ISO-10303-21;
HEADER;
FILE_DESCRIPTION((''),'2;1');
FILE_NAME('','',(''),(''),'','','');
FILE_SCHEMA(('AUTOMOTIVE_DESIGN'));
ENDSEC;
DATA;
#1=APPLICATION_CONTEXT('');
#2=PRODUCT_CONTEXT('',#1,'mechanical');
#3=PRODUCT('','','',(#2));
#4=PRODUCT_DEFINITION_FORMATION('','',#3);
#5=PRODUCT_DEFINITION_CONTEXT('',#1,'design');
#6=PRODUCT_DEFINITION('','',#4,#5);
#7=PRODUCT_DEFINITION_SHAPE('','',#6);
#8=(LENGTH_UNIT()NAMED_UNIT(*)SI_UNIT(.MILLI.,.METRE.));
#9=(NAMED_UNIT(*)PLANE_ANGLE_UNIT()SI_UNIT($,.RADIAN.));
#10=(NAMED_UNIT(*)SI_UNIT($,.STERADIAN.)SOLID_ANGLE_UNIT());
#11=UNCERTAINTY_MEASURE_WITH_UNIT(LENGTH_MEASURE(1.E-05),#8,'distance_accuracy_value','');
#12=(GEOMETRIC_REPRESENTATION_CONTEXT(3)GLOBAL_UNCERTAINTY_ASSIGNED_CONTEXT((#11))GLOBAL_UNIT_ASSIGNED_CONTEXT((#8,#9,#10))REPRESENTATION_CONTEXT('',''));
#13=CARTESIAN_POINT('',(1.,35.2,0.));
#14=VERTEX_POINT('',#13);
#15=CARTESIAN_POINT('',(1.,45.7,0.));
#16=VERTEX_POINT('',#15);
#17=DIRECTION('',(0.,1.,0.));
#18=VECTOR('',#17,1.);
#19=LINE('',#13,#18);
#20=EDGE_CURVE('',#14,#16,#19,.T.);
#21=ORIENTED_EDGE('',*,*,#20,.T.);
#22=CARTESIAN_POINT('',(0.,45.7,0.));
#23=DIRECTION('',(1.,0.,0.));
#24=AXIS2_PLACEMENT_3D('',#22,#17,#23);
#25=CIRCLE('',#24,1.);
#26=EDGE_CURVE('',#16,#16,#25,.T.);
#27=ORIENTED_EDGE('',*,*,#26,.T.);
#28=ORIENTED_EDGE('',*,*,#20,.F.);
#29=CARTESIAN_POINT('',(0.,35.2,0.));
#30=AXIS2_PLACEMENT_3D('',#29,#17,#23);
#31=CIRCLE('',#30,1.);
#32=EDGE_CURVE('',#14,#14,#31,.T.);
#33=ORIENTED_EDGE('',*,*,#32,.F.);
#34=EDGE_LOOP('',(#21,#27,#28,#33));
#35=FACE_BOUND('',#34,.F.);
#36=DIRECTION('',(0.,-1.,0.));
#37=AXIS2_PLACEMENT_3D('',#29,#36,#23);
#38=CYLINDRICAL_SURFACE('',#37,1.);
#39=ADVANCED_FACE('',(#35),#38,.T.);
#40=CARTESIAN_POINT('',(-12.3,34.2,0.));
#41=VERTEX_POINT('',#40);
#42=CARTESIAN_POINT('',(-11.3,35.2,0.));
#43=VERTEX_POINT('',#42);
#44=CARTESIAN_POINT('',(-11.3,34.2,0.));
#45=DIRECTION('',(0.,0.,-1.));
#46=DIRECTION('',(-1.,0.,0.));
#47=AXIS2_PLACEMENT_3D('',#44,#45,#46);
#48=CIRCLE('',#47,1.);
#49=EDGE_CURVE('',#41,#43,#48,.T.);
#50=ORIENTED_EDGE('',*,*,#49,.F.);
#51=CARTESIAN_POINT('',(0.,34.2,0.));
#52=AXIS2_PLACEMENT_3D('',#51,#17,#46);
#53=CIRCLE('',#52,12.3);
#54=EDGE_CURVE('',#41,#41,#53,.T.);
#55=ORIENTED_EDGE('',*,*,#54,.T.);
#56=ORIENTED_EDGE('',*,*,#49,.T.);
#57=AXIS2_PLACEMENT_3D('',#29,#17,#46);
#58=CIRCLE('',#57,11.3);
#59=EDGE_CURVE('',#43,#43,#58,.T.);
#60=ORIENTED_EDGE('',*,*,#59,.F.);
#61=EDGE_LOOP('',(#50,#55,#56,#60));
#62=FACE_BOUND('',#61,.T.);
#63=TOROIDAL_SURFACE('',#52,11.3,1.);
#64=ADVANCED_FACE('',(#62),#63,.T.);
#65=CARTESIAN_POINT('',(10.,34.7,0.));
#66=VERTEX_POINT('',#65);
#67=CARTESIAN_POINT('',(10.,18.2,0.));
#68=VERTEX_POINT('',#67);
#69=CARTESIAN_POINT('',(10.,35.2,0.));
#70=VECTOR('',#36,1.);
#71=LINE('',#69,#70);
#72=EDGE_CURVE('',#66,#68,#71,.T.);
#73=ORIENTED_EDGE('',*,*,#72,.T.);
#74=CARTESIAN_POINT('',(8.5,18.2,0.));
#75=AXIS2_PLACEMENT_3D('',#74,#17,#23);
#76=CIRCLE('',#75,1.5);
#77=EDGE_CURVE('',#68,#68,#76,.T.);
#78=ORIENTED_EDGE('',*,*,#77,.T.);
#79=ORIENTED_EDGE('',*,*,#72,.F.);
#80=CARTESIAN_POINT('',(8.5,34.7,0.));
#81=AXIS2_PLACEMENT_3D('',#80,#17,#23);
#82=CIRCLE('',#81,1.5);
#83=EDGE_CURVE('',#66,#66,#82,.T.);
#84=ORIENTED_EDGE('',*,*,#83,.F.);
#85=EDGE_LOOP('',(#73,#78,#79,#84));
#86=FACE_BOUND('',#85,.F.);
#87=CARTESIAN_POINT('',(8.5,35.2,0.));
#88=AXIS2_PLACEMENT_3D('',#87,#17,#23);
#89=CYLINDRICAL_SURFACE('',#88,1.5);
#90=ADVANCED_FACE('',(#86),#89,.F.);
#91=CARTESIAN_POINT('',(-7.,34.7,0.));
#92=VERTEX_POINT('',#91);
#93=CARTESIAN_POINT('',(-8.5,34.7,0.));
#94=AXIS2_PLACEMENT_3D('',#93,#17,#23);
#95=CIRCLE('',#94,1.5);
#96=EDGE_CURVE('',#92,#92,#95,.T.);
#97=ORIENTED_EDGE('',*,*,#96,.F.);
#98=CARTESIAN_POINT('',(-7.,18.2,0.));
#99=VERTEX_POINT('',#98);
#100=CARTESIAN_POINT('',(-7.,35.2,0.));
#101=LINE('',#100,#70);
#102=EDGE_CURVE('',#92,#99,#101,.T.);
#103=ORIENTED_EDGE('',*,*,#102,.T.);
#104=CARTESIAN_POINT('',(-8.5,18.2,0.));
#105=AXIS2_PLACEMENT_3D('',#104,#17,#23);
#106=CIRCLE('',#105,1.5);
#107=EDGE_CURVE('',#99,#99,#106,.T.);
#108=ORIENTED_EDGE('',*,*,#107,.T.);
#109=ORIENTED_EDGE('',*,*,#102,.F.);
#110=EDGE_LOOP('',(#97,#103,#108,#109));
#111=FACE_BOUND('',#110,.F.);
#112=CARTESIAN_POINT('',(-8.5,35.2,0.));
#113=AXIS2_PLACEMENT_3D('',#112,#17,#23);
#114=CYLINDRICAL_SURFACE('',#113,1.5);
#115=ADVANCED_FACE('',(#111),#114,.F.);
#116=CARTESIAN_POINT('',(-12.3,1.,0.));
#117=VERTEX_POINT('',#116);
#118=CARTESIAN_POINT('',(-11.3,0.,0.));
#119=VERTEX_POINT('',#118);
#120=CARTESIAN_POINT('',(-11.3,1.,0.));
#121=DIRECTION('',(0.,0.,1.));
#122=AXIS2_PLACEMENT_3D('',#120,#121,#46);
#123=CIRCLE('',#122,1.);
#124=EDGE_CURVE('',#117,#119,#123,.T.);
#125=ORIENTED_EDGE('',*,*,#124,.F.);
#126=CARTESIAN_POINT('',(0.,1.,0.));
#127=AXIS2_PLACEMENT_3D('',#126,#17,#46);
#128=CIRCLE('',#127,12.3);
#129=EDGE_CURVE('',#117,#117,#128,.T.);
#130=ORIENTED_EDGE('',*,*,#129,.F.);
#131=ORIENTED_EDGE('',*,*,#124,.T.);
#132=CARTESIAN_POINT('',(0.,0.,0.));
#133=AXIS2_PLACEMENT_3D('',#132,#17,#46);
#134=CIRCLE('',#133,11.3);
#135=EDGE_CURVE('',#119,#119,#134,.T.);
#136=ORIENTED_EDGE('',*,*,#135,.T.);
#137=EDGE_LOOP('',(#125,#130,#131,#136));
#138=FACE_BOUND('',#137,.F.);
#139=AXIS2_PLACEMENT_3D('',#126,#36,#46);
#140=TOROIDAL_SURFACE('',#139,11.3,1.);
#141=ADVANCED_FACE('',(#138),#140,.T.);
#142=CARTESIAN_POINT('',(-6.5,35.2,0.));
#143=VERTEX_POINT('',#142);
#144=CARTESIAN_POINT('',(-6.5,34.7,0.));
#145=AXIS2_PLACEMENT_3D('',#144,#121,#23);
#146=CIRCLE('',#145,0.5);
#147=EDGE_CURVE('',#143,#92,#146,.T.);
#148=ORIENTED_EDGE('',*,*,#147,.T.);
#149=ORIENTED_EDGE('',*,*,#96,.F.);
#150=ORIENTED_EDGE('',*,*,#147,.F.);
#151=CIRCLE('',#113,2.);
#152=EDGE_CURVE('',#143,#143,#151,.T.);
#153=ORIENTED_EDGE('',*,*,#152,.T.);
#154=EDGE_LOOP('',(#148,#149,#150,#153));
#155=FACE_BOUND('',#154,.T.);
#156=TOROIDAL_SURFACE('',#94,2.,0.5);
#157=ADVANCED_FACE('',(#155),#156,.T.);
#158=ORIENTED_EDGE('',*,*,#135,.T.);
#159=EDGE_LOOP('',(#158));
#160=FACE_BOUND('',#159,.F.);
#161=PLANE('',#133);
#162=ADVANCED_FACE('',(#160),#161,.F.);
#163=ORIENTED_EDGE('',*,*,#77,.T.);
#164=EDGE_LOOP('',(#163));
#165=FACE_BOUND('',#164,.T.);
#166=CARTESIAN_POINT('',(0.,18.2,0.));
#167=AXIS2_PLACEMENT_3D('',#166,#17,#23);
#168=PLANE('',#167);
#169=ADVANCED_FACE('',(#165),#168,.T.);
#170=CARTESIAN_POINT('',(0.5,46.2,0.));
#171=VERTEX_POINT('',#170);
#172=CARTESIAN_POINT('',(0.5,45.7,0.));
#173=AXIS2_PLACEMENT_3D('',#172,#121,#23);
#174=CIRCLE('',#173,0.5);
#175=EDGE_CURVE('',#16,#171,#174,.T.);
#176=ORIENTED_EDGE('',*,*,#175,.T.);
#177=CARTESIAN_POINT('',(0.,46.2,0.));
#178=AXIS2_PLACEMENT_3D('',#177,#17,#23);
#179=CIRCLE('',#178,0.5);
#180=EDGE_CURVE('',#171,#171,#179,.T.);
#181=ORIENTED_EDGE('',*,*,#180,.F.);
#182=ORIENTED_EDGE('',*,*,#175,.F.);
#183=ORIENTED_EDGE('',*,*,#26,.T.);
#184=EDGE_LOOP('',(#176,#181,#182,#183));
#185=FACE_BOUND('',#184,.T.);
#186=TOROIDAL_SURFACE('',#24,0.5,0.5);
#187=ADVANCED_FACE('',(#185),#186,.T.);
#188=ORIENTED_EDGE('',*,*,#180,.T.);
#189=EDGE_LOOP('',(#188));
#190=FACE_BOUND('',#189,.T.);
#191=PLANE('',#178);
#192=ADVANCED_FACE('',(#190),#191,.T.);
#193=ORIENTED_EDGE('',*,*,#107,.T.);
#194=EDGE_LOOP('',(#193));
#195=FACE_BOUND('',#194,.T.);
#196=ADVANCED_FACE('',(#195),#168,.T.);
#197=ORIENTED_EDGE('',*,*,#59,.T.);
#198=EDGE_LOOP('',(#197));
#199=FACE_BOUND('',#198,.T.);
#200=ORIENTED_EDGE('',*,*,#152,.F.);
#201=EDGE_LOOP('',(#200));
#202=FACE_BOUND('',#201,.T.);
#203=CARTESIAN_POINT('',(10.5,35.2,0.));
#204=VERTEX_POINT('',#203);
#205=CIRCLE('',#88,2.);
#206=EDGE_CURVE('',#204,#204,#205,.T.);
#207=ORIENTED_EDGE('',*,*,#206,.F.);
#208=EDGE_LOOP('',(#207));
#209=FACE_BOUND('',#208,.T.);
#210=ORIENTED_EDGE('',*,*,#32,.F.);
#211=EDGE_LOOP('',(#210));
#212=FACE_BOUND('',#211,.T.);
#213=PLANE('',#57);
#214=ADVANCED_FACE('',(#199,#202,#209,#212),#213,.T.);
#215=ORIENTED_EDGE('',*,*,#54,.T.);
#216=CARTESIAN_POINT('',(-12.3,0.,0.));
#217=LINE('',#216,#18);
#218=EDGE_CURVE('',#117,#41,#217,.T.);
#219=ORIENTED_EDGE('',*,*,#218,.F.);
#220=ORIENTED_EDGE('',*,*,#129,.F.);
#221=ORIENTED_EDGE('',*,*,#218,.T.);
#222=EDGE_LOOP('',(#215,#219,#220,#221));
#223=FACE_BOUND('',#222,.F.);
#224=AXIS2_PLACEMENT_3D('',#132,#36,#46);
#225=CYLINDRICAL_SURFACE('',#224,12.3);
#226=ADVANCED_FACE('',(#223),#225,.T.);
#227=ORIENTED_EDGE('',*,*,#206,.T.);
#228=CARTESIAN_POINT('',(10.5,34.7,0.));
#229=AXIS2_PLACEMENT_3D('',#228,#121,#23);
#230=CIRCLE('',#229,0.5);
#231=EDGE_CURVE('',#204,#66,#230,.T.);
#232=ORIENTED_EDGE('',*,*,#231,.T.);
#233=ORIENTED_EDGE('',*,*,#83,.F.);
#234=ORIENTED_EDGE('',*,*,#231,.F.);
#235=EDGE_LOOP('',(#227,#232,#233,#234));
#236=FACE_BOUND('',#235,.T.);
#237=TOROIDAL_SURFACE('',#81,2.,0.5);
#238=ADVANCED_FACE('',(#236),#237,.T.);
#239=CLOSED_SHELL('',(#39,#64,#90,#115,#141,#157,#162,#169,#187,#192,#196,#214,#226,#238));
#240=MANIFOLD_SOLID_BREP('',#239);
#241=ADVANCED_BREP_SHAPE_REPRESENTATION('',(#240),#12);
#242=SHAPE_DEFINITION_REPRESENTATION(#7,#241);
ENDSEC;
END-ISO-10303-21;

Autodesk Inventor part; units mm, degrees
ref_plane "YZ Plane" through (0, 0, 0) normal (1, 0, 0) x (0, 1, 0)
ref_plane "XZ Plane" through (0, 0, 0) normal (0, 1, 0) x (-1, 0, 0)
ref_plane "XY Plane" through (0, 0, 0) normal (0, 0, 1) x (1, 0, 0)
sketch "Sketch2" plane through (0, 0, 0) normal (0, 1, 0) x (-1, 0, 0)
  circle A0 centre (0, 0) radius 12.3
  dimension "d1" = 24.6
extrude "Extrusion1" add sketch "Sketch2" along normal blind 35.2
sketch "Sketch3" plane through (0, 35.2, 0) normal (0, 1, 0) x (1, 0, 0)
  circle A0 centre (0, 0) radius 1
  dimension "d4" = 2
extrude "Extrusion2" add sketch "Sketch3" along normal blind 11
sketch "Sketch4" plane through (0, 35.2, 0) normal (0, 1, 0) x (1, 0, 0)
  circle A0 centre (-8.5, 0) radius 1.5
  circle A1 centre (8.5, 0) radius 1.5
  point P0 (0, 0)
  dimension "d7" = 3
  dimension "d9" = 8.5
  dimension "d13" = 360
extrude "Extrusion3" cut sketch "Sketch4" against normal blind 17
fillet "Fillet1" radius 1 2 edges at (12.3, 35.2, 0) (12.3, 0, 0)
fillet "Fillet1" radius 0.5 3 edges at (7, 35.2, 0) (-1, 46.2, 0) (-10, 35.2, 0)
properties part number "RS-385 Dc Electric Motor"
